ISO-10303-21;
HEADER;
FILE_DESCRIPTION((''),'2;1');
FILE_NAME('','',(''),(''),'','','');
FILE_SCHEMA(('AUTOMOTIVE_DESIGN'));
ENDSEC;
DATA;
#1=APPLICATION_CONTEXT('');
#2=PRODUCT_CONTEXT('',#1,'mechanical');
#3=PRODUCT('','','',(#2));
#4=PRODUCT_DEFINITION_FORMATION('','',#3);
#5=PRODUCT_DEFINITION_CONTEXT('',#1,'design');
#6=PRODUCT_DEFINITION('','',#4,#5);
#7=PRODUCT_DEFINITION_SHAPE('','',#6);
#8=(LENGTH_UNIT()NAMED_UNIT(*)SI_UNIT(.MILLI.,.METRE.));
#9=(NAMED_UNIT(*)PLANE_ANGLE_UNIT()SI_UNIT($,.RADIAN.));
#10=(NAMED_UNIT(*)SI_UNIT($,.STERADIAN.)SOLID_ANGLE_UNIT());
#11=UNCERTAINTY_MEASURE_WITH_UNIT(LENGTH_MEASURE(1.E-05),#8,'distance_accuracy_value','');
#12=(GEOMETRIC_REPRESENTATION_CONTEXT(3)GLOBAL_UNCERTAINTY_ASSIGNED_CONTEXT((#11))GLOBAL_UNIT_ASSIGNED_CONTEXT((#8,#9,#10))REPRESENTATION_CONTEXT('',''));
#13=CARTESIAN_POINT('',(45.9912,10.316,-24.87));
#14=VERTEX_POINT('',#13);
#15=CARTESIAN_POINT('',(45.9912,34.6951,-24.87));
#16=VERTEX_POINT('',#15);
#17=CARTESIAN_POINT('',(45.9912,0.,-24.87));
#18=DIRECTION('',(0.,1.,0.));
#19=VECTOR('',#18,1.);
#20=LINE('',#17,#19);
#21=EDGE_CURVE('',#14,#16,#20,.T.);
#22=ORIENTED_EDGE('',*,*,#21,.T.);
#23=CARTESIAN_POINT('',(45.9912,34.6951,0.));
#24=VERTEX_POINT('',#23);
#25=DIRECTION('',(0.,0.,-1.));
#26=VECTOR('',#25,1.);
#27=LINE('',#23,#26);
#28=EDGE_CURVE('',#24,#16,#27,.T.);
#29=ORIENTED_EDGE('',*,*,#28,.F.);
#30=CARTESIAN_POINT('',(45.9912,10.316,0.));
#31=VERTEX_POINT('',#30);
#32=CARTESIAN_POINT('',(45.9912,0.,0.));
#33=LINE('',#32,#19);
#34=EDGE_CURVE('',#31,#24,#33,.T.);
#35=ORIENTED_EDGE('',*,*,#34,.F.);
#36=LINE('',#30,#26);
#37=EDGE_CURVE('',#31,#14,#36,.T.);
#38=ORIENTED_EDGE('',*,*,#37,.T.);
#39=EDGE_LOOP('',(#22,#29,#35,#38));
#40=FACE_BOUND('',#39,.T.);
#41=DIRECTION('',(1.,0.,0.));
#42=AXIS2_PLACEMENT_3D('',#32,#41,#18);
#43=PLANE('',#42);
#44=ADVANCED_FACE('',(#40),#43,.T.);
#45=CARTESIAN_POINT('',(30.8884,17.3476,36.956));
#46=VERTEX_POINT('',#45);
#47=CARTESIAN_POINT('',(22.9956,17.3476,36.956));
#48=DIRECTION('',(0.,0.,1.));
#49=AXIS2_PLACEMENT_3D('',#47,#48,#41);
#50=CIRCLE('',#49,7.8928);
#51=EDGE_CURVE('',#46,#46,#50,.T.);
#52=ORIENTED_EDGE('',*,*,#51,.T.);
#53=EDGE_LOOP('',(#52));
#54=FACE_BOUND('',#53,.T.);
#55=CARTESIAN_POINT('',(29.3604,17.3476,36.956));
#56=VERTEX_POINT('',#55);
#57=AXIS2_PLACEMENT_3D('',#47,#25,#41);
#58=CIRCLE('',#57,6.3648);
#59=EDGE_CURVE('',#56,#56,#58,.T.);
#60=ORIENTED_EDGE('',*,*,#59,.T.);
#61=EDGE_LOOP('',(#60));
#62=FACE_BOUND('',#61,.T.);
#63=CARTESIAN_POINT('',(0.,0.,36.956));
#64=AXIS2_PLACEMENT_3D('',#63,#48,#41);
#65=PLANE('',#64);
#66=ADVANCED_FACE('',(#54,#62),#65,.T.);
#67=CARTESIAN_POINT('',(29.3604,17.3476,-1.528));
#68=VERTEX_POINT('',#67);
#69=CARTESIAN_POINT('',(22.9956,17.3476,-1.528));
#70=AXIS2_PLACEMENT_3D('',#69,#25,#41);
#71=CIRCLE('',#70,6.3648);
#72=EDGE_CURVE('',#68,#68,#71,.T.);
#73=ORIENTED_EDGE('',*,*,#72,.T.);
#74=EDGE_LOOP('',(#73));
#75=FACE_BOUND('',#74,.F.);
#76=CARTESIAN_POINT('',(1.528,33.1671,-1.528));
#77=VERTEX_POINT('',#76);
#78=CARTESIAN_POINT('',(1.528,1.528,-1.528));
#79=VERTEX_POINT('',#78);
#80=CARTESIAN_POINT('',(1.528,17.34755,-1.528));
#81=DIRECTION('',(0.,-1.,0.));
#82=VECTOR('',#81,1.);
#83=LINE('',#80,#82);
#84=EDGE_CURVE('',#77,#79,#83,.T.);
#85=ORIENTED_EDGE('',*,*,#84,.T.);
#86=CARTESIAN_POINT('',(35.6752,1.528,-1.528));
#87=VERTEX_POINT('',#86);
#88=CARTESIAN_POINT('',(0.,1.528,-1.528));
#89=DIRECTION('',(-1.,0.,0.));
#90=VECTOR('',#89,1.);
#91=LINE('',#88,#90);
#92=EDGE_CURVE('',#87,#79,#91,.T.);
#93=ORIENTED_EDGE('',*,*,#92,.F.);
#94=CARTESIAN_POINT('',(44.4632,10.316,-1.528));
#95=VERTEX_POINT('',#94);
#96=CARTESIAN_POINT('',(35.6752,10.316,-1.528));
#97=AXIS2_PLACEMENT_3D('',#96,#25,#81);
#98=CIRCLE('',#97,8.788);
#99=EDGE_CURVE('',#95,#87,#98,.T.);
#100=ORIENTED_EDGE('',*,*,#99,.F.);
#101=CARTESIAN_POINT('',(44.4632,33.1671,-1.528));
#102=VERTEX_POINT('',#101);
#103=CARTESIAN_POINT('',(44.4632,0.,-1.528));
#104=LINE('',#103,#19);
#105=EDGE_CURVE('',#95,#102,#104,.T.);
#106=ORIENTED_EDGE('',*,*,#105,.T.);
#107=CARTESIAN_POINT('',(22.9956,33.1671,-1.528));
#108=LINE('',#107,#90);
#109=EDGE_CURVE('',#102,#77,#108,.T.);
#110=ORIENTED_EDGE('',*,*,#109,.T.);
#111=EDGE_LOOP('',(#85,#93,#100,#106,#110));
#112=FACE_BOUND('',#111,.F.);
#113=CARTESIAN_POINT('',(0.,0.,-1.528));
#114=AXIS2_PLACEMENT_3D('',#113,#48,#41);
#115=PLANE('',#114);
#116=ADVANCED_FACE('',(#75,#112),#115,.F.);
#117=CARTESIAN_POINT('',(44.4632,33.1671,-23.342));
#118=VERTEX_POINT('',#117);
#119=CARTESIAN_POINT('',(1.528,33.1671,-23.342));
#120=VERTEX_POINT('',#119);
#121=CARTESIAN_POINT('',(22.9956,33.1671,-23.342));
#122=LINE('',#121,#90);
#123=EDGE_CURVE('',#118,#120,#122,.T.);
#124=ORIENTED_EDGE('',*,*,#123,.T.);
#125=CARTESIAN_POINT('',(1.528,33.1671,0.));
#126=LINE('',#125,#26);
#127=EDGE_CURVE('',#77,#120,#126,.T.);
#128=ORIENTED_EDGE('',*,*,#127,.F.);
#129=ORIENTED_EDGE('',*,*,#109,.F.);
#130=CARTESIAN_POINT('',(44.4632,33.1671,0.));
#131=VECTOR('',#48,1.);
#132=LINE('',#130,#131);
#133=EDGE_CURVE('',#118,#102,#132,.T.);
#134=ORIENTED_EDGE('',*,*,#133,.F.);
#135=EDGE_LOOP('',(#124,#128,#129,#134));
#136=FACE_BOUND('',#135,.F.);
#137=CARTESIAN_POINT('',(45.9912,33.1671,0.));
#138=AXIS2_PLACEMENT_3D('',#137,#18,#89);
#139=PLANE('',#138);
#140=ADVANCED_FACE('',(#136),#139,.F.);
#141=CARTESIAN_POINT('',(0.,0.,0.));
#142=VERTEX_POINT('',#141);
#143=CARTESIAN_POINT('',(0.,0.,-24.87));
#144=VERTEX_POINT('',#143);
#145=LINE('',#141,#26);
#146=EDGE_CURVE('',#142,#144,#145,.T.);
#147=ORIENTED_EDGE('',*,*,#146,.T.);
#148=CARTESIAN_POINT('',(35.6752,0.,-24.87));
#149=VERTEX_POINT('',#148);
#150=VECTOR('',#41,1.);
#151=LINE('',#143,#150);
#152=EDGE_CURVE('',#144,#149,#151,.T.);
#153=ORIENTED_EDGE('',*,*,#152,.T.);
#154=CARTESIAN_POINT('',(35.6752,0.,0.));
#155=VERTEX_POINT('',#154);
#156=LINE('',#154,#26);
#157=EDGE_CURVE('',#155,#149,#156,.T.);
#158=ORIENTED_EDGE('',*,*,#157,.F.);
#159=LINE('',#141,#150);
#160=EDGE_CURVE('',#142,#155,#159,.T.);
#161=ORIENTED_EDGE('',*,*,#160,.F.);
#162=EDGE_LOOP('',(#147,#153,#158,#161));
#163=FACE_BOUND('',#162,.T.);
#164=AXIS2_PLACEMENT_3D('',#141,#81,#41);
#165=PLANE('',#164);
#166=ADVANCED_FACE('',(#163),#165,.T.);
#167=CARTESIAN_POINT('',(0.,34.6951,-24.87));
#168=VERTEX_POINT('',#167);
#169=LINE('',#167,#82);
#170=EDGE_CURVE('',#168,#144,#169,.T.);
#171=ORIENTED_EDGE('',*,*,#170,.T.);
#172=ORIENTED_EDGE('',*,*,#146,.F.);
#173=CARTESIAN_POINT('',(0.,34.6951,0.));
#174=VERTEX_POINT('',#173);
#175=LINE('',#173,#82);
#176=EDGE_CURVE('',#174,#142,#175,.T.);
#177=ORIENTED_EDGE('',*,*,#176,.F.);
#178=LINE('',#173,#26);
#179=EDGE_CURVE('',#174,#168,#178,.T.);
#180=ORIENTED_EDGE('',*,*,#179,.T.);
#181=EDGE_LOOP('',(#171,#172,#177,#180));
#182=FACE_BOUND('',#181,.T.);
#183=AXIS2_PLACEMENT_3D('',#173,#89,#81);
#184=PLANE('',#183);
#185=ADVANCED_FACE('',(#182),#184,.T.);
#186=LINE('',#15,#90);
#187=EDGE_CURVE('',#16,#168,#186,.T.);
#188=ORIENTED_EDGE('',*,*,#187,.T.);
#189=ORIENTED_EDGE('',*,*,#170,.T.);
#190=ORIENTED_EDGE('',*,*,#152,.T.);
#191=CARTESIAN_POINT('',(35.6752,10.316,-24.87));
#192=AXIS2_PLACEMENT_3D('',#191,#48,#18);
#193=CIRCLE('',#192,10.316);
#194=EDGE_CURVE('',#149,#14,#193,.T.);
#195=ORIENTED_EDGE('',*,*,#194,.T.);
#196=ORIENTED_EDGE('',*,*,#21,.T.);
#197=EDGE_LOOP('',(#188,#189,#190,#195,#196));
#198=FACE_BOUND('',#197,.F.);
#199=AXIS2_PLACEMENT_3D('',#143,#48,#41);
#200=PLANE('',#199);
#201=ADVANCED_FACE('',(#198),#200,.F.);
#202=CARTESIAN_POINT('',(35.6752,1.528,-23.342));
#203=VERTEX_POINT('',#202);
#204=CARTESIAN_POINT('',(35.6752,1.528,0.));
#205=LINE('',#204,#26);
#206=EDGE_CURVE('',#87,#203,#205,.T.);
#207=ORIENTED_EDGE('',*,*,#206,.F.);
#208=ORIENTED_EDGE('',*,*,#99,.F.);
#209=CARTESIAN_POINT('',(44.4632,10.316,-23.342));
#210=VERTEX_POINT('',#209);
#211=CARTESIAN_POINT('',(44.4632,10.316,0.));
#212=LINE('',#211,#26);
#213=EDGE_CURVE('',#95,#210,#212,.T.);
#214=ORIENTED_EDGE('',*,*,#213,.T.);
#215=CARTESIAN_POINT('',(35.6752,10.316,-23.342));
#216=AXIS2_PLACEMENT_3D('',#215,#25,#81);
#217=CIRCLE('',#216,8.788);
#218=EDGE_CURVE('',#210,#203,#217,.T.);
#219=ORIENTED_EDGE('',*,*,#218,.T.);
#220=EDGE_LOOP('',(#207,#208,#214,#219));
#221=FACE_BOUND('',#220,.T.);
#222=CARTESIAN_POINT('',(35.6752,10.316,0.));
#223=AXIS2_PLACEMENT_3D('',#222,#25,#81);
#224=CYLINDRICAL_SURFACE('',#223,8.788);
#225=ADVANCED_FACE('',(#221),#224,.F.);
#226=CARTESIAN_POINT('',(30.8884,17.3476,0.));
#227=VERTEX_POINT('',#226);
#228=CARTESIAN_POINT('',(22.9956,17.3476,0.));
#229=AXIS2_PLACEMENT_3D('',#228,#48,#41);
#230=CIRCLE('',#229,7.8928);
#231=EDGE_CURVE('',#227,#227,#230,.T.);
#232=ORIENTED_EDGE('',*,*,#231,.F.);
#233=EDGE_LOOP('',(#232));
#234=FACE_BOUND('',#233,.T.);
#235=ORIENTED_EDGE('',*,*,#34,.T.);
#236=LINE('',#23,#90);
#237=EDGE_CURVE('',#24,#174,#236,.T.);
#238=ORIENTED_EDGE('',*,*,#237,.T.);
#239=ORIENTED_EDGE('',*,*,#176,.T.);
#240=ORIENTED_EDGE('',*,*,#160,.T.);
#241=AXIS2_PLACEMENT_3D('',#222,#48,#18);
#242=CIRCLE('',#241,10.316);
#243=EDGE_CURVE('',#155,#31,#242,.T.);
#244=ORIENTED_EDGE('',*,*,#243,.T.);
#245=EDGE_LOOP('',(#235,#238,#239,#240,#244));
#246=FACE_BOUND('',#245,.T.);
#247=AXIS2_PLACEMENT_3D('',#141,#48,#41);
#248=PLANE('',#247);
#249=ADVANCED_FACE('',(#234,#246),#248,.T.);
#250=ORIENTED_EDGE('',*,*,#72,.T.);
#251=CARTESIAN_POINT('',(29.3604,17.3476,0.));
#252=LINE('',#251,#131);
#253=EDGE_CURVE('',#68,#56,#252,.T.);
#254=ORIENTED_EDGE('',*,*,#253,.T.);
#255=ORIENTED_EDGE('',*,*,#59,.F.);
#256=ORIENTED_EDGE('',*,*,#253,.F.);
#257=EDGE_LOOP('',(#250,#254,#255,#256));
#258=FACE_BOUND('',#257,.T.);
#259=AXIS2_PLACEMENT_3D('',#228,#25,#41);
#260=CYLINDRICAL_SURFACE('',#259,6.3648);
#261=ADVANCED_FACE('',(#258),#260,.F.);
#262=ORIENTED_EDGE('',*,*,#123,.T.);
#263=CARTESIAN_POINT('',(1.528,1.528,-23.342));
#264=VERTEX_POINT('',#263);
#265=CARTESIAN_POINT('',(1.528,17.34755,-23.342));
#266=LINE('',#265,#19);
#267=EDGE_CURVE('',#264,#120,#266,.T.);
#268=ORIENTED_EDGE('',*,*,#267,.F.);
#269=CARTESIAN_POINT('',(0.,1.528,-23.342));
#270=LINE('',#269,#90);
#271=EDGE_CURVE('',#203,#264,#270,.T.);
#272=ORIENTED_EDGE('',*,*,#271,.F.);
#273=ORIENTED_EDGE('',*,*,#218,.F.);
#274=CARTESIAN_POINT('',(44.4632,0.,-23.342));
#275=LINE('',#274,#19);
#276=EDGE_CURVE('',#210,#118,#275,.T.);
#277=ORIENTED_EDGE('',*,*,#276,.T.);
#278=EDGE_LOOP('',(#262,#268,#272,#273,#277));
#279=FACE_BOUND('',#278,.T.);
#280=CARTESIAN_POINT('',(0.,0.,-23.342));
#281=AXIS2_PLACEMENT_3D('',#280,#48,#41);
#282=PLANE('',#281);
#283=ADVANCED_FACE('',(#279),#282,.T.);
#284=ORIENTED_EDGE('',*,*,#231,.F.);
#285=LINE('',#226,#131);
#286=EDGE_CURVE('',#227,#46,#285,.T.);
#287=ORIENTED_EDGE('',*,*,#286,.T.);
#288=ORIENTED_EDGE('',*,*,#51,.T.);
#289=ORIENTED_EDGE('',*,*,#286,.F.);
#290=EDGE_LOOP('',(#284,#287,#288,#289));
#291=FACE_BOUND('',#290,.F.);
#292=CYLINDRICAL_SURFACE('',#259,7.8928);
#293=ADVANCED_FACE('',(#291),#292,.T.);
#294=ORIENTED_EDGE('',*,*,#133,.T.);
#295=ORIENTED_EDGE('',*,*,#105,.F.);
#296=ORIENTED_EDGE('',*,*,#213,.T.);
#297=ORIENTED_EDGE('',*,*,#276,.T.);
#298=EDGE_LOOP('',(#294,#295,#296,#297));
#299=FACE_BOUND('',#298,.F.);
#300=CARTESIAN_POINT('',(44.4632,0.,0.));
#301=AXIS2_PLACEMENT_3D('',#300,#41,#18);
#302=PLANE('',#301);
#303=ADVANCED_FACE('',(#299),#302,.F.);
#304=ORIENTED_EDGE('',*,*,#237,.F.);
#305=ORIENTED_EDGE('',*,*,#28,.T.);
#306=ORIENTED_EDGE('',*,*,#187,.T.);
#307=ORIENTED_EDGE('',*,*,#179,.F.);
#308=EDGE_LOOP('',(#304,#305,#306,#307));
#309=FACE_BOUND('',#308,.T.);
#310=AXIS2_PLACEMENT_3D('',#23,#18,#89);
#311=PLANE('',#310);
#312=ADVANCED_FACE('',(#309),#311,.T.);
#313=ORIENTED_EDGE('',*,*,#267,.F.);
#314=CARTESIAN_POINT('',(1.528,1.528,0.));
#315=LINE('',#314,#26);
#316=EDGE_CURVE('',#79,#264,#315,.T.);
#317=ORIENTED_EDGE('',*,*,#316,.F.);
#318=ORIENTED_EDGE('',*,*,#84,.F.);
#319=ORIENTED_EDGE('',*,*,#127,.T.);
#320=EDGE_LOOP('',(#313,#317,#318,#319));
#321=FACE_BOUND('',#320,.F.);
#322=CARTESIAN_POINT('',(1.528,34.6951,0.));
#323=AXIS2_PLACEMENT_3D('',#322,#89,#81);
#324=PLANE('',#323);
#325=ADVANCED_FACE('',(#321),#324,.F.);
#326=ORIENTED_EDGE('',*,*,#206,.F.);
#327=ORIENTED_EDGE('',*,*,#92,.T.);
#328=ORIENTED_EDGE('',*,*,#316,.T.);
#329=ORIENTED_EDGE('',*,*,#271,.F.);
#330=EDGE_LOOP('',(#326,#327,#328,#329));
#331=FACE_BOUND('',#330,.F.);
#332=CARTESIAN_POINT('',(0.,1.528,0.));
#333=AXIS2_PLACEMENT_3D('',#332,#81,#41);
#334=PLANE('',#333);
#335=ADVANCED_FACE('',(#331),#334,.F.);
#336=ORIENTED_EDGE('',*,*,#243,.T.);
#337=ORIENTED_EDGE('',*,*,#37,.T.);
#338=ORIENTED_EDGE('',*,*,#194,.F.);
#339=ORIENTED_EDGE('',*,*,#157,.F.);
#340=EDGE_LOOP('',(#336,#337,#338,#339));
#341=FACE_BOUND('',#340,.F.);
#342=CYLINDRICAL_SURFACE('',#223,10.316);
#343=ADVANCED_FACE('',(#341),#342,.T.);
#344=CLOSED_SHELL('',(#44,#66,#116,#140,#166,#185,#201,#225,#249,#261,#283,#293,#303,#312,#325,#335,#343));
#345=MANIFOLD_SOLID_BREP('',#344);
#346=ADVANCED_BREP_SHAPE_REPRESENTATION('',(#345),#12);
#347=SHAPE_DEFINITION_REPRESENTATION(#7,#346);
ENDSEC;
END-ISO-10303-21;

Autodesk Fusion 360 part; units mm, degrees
sketch "Sketch1" plane through (0, 0, 0) normal (0, 0, 1) x (1, 0, 0)
  line L0 (0, 0) -> (45.9912, 0)
  line L1 (45.9912, 0) -> (45.9912, 34.6951)
  line L2 (45.9912, 34.6951) -> (0, 34.6951)
  line L3 (0, 34.6951) -> (0, 0)
  circle A0 centre (22.9956, 17.3476) radius 7.8928
extrude "Extrude1" add sketch "Sketch1" against normal blind 24.87 contours L0 L1 L2 L3 | A0
extrude "Extrude2" add sketch "Sketch1" along normal blind 36.956 contours A0
fillet "Fillet1" radius 10.316 1 edges at (45.9912, 0, -12.435)
shell "Shell1" thickness 1.528 removed faces 1 at (18.3486, 16.3767, 36.956)
